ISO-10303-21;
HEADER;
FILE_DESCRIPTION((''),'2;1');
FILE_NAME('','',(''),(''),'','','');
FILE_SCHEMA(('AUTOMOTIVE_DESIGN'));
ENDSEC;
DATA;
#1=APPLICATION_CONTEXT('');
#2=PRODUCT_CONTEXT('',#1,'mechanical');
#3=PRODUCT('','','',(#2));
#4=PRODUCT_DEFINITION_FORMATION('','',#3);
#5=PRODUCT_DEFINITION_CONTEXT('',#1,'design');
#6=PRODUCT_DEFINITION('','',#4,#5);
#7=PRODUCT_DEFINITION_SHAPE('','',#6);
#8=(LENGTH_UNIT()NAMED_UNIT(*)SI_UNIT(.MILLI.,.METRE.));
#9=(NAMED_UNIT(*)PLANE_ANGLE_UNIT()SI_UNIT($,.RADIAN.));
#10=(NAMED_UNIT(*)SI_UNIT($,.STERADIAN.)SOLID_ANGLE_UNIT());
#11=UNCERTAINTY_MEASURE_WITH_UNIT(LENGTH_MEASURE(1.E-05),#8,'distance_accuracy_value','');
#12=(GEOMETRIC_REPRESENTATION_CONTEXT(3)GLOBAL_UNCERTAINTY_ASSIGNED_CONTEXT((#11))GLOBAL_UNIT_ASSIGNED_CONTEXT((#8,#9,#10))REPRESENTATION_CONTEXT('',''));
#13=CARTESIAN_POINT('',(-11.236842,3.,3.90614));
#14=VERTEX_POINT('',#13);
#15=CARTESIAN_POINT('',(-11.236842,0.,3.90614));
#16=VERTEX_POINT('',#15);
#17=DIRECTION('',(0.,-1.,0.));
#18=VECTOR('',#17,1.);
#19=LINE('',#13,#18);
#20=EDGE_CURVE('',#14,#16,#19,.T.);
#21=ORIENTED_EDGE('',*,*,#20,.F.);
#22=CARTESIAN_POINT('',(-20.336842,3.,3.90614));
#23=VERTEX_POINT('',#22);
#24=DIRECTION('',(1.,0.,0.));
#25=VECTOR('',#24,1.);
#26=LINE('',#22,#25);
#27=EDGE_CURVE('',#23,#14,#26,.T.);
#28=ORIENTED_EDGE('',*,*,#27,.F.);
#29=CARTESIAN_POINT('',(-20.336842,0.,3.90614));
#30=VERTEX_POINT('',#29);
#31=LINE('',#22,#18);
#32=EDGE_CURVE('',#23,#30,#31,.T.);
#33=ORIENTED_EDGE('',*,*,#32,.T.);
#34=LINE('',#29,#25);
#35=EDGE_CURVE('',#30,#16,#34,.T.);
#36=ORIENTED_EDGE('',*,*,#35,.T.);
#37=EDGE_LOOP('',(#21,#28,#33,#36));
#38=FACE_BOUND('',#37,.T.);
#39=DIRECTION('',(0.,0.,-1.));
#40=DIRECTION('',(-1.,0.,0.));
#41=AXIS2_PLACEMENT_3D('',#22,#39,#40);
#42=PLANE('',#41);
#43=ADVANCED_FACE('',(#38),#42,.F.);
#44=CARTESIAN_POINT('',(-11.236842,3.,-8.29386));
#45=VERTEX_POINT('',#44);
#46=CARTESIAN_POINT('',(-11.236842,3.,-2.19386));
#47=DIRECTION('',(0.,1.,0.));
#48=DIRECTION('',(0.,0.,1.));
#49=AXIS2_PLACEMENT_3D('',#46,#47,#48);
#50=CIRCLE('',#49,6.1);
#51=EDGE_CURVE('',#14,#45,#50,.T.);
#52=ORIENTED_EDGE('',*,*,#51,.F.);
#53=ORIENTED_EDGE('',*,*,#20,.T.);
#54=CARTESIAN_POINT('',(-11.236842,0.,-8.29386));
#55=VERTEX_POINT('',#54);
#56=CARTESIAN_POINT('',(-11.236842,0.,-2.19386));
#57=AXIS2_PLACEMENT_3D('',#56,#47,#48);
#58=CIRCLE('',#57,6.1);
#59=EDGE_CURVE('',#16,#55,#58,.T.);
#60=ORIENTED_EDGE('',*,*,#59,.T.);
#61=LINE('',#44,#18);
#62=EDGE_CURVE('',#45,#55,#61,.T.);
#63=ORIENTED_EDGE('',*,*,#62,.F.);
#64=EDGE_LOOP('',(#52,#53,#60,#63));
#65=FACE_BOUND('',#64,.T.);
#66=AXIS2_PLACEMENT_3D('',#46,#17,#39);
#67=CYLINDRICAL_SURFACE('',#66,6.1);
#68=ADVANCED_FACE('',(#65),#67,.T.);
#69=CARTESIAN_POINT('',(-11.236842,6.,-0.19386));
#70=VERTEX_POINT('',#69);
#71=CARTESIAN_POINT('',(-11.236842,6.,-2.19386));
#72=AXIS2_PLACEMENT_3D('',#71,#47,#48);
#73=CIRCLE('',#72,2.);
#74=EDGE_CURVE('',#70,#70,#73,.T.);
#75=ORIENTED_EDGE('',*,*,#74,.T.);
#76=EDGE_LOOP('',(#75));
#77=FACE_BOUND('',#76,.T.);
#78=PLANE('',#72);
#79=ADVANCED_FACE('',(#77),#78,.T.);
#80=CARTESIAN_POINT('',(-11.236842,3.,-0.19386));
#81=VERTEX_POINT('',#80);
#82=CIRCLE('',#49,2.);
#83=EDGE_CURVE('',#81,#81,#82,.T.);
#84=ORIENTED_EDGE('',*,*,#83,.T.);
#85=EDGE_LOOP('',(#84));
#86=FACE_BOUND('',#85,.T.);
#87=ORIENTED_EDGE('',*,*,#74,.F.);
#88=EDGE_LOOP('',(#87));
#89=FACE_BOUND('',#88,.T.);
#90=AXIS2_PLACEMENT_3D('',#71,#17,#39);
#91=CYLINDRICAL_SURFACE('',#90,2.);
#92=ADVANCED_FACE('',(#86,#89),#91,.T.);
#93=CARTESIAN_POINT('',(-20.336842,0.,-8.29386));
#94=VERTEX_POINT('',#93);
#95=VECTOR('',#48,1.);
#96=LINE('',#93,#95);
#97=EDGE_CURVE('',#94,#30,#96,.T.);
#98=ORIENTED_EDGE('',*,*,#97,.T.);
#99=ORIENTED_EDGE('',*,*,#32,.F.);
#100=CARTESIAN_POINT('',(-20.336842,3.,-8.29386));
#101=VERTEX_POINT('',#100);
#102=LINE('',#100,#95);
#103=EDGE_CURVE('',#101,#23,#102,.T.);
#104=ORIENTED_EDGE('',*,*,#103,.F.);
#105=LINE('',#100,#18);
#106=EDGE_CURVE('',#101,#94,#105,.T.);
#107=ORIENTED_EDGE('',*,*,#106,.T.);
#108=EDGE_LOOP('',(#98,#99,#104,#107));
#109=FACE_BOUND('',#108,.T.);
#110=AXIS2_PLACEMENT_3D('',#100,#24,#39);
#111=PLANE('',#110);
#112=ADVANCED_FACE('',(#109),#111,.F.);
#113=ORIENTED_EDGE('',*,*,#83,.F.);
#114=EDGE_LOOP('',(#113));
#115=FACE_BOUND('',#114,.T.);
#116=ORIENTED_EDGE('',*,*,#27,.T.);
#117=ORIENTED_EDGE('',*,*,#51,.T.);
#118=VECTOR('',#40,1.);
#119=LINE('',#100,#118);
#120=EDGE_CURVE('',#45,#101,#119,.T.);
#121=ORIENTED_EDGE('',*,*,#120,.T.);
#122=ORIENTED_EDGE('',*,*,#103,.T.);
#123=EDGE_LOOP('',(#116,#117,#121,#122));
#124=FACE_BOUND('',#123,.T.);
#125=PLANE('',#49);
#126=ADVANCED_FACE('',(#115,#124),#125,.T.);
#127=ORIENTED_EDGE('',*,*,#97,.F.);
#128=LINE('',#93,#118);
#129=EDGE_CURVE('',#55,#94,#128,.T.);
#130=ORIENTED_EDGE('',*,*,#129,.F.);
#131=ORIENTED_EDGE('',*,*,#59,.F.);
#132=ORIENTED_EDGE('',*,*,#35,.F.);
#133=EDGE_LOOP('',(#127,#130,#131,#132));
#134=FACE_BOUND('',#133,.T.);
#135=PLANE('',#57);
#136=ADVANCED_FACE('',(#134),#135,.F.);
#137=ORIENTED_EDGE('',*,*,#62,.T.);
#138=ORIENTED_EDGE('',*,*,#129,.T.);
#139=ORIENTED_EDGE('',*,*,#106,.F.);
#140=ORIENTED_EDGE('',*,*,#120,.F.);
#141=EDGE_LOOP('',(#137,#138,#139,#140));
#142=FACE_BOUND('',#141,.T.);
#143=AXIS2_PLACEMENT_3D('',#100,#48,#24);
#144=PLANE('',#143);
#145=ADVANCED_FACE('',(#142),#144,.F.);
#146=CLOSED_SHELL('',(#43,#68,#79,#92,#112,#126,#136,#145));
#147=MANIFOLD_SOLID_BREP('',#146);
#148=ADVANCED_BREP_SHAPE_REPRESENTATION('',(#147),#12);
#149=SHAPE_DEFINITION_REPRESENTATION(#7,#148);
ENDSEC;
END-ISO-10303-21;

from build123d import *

# Parameters (mm, degrees)
BOSS_EXTRUDE1_DEPTH = 3
SKETCH4_R           = 2
BOSS_EXTRUDE2_DEPTH = 3


with BuildPart() as part:
    # Sketch3 → Boss-Extrude1 (new body)
    with BuildSketch(Plane(origin=(0, 0, 0), x_dir=(1, 0, 0), z_dir=(0, 1, 0))):
        with BuildLine():
            Line((-20.336842105, 8.293859649), (-11.236842105, 8.293859649))
            ThreePointArc((-11.236842105, 8.293859649), (-5.136842105, 2.193859649), (-11.236842105, -3.906140351))
            Line((-11.236842105, -3.906140351), (-20.336842105, -3.906140351))
            Line((-20.336842105, -3.906140351), (-20.336842105, 8.293859649))
        make_face()
    extrude(amount=BOSS_EXTRUDE1_DEPTH)

    # Sketch4 → Boss-Extrude2 (add)
    with BuildSketch(Plane(origin=(0, 3, 0), x_dir=(1, 0, 0), z_dir=(0, 1, 0))):
        with Locations(Location((-11.236842105, 2.193859649, 0), (0, 0, 270))):
            Circle(SKETCH4_R)
    extrude(amount=BOSS_EXTRUDE2_DEPTH)


solid = part.part
